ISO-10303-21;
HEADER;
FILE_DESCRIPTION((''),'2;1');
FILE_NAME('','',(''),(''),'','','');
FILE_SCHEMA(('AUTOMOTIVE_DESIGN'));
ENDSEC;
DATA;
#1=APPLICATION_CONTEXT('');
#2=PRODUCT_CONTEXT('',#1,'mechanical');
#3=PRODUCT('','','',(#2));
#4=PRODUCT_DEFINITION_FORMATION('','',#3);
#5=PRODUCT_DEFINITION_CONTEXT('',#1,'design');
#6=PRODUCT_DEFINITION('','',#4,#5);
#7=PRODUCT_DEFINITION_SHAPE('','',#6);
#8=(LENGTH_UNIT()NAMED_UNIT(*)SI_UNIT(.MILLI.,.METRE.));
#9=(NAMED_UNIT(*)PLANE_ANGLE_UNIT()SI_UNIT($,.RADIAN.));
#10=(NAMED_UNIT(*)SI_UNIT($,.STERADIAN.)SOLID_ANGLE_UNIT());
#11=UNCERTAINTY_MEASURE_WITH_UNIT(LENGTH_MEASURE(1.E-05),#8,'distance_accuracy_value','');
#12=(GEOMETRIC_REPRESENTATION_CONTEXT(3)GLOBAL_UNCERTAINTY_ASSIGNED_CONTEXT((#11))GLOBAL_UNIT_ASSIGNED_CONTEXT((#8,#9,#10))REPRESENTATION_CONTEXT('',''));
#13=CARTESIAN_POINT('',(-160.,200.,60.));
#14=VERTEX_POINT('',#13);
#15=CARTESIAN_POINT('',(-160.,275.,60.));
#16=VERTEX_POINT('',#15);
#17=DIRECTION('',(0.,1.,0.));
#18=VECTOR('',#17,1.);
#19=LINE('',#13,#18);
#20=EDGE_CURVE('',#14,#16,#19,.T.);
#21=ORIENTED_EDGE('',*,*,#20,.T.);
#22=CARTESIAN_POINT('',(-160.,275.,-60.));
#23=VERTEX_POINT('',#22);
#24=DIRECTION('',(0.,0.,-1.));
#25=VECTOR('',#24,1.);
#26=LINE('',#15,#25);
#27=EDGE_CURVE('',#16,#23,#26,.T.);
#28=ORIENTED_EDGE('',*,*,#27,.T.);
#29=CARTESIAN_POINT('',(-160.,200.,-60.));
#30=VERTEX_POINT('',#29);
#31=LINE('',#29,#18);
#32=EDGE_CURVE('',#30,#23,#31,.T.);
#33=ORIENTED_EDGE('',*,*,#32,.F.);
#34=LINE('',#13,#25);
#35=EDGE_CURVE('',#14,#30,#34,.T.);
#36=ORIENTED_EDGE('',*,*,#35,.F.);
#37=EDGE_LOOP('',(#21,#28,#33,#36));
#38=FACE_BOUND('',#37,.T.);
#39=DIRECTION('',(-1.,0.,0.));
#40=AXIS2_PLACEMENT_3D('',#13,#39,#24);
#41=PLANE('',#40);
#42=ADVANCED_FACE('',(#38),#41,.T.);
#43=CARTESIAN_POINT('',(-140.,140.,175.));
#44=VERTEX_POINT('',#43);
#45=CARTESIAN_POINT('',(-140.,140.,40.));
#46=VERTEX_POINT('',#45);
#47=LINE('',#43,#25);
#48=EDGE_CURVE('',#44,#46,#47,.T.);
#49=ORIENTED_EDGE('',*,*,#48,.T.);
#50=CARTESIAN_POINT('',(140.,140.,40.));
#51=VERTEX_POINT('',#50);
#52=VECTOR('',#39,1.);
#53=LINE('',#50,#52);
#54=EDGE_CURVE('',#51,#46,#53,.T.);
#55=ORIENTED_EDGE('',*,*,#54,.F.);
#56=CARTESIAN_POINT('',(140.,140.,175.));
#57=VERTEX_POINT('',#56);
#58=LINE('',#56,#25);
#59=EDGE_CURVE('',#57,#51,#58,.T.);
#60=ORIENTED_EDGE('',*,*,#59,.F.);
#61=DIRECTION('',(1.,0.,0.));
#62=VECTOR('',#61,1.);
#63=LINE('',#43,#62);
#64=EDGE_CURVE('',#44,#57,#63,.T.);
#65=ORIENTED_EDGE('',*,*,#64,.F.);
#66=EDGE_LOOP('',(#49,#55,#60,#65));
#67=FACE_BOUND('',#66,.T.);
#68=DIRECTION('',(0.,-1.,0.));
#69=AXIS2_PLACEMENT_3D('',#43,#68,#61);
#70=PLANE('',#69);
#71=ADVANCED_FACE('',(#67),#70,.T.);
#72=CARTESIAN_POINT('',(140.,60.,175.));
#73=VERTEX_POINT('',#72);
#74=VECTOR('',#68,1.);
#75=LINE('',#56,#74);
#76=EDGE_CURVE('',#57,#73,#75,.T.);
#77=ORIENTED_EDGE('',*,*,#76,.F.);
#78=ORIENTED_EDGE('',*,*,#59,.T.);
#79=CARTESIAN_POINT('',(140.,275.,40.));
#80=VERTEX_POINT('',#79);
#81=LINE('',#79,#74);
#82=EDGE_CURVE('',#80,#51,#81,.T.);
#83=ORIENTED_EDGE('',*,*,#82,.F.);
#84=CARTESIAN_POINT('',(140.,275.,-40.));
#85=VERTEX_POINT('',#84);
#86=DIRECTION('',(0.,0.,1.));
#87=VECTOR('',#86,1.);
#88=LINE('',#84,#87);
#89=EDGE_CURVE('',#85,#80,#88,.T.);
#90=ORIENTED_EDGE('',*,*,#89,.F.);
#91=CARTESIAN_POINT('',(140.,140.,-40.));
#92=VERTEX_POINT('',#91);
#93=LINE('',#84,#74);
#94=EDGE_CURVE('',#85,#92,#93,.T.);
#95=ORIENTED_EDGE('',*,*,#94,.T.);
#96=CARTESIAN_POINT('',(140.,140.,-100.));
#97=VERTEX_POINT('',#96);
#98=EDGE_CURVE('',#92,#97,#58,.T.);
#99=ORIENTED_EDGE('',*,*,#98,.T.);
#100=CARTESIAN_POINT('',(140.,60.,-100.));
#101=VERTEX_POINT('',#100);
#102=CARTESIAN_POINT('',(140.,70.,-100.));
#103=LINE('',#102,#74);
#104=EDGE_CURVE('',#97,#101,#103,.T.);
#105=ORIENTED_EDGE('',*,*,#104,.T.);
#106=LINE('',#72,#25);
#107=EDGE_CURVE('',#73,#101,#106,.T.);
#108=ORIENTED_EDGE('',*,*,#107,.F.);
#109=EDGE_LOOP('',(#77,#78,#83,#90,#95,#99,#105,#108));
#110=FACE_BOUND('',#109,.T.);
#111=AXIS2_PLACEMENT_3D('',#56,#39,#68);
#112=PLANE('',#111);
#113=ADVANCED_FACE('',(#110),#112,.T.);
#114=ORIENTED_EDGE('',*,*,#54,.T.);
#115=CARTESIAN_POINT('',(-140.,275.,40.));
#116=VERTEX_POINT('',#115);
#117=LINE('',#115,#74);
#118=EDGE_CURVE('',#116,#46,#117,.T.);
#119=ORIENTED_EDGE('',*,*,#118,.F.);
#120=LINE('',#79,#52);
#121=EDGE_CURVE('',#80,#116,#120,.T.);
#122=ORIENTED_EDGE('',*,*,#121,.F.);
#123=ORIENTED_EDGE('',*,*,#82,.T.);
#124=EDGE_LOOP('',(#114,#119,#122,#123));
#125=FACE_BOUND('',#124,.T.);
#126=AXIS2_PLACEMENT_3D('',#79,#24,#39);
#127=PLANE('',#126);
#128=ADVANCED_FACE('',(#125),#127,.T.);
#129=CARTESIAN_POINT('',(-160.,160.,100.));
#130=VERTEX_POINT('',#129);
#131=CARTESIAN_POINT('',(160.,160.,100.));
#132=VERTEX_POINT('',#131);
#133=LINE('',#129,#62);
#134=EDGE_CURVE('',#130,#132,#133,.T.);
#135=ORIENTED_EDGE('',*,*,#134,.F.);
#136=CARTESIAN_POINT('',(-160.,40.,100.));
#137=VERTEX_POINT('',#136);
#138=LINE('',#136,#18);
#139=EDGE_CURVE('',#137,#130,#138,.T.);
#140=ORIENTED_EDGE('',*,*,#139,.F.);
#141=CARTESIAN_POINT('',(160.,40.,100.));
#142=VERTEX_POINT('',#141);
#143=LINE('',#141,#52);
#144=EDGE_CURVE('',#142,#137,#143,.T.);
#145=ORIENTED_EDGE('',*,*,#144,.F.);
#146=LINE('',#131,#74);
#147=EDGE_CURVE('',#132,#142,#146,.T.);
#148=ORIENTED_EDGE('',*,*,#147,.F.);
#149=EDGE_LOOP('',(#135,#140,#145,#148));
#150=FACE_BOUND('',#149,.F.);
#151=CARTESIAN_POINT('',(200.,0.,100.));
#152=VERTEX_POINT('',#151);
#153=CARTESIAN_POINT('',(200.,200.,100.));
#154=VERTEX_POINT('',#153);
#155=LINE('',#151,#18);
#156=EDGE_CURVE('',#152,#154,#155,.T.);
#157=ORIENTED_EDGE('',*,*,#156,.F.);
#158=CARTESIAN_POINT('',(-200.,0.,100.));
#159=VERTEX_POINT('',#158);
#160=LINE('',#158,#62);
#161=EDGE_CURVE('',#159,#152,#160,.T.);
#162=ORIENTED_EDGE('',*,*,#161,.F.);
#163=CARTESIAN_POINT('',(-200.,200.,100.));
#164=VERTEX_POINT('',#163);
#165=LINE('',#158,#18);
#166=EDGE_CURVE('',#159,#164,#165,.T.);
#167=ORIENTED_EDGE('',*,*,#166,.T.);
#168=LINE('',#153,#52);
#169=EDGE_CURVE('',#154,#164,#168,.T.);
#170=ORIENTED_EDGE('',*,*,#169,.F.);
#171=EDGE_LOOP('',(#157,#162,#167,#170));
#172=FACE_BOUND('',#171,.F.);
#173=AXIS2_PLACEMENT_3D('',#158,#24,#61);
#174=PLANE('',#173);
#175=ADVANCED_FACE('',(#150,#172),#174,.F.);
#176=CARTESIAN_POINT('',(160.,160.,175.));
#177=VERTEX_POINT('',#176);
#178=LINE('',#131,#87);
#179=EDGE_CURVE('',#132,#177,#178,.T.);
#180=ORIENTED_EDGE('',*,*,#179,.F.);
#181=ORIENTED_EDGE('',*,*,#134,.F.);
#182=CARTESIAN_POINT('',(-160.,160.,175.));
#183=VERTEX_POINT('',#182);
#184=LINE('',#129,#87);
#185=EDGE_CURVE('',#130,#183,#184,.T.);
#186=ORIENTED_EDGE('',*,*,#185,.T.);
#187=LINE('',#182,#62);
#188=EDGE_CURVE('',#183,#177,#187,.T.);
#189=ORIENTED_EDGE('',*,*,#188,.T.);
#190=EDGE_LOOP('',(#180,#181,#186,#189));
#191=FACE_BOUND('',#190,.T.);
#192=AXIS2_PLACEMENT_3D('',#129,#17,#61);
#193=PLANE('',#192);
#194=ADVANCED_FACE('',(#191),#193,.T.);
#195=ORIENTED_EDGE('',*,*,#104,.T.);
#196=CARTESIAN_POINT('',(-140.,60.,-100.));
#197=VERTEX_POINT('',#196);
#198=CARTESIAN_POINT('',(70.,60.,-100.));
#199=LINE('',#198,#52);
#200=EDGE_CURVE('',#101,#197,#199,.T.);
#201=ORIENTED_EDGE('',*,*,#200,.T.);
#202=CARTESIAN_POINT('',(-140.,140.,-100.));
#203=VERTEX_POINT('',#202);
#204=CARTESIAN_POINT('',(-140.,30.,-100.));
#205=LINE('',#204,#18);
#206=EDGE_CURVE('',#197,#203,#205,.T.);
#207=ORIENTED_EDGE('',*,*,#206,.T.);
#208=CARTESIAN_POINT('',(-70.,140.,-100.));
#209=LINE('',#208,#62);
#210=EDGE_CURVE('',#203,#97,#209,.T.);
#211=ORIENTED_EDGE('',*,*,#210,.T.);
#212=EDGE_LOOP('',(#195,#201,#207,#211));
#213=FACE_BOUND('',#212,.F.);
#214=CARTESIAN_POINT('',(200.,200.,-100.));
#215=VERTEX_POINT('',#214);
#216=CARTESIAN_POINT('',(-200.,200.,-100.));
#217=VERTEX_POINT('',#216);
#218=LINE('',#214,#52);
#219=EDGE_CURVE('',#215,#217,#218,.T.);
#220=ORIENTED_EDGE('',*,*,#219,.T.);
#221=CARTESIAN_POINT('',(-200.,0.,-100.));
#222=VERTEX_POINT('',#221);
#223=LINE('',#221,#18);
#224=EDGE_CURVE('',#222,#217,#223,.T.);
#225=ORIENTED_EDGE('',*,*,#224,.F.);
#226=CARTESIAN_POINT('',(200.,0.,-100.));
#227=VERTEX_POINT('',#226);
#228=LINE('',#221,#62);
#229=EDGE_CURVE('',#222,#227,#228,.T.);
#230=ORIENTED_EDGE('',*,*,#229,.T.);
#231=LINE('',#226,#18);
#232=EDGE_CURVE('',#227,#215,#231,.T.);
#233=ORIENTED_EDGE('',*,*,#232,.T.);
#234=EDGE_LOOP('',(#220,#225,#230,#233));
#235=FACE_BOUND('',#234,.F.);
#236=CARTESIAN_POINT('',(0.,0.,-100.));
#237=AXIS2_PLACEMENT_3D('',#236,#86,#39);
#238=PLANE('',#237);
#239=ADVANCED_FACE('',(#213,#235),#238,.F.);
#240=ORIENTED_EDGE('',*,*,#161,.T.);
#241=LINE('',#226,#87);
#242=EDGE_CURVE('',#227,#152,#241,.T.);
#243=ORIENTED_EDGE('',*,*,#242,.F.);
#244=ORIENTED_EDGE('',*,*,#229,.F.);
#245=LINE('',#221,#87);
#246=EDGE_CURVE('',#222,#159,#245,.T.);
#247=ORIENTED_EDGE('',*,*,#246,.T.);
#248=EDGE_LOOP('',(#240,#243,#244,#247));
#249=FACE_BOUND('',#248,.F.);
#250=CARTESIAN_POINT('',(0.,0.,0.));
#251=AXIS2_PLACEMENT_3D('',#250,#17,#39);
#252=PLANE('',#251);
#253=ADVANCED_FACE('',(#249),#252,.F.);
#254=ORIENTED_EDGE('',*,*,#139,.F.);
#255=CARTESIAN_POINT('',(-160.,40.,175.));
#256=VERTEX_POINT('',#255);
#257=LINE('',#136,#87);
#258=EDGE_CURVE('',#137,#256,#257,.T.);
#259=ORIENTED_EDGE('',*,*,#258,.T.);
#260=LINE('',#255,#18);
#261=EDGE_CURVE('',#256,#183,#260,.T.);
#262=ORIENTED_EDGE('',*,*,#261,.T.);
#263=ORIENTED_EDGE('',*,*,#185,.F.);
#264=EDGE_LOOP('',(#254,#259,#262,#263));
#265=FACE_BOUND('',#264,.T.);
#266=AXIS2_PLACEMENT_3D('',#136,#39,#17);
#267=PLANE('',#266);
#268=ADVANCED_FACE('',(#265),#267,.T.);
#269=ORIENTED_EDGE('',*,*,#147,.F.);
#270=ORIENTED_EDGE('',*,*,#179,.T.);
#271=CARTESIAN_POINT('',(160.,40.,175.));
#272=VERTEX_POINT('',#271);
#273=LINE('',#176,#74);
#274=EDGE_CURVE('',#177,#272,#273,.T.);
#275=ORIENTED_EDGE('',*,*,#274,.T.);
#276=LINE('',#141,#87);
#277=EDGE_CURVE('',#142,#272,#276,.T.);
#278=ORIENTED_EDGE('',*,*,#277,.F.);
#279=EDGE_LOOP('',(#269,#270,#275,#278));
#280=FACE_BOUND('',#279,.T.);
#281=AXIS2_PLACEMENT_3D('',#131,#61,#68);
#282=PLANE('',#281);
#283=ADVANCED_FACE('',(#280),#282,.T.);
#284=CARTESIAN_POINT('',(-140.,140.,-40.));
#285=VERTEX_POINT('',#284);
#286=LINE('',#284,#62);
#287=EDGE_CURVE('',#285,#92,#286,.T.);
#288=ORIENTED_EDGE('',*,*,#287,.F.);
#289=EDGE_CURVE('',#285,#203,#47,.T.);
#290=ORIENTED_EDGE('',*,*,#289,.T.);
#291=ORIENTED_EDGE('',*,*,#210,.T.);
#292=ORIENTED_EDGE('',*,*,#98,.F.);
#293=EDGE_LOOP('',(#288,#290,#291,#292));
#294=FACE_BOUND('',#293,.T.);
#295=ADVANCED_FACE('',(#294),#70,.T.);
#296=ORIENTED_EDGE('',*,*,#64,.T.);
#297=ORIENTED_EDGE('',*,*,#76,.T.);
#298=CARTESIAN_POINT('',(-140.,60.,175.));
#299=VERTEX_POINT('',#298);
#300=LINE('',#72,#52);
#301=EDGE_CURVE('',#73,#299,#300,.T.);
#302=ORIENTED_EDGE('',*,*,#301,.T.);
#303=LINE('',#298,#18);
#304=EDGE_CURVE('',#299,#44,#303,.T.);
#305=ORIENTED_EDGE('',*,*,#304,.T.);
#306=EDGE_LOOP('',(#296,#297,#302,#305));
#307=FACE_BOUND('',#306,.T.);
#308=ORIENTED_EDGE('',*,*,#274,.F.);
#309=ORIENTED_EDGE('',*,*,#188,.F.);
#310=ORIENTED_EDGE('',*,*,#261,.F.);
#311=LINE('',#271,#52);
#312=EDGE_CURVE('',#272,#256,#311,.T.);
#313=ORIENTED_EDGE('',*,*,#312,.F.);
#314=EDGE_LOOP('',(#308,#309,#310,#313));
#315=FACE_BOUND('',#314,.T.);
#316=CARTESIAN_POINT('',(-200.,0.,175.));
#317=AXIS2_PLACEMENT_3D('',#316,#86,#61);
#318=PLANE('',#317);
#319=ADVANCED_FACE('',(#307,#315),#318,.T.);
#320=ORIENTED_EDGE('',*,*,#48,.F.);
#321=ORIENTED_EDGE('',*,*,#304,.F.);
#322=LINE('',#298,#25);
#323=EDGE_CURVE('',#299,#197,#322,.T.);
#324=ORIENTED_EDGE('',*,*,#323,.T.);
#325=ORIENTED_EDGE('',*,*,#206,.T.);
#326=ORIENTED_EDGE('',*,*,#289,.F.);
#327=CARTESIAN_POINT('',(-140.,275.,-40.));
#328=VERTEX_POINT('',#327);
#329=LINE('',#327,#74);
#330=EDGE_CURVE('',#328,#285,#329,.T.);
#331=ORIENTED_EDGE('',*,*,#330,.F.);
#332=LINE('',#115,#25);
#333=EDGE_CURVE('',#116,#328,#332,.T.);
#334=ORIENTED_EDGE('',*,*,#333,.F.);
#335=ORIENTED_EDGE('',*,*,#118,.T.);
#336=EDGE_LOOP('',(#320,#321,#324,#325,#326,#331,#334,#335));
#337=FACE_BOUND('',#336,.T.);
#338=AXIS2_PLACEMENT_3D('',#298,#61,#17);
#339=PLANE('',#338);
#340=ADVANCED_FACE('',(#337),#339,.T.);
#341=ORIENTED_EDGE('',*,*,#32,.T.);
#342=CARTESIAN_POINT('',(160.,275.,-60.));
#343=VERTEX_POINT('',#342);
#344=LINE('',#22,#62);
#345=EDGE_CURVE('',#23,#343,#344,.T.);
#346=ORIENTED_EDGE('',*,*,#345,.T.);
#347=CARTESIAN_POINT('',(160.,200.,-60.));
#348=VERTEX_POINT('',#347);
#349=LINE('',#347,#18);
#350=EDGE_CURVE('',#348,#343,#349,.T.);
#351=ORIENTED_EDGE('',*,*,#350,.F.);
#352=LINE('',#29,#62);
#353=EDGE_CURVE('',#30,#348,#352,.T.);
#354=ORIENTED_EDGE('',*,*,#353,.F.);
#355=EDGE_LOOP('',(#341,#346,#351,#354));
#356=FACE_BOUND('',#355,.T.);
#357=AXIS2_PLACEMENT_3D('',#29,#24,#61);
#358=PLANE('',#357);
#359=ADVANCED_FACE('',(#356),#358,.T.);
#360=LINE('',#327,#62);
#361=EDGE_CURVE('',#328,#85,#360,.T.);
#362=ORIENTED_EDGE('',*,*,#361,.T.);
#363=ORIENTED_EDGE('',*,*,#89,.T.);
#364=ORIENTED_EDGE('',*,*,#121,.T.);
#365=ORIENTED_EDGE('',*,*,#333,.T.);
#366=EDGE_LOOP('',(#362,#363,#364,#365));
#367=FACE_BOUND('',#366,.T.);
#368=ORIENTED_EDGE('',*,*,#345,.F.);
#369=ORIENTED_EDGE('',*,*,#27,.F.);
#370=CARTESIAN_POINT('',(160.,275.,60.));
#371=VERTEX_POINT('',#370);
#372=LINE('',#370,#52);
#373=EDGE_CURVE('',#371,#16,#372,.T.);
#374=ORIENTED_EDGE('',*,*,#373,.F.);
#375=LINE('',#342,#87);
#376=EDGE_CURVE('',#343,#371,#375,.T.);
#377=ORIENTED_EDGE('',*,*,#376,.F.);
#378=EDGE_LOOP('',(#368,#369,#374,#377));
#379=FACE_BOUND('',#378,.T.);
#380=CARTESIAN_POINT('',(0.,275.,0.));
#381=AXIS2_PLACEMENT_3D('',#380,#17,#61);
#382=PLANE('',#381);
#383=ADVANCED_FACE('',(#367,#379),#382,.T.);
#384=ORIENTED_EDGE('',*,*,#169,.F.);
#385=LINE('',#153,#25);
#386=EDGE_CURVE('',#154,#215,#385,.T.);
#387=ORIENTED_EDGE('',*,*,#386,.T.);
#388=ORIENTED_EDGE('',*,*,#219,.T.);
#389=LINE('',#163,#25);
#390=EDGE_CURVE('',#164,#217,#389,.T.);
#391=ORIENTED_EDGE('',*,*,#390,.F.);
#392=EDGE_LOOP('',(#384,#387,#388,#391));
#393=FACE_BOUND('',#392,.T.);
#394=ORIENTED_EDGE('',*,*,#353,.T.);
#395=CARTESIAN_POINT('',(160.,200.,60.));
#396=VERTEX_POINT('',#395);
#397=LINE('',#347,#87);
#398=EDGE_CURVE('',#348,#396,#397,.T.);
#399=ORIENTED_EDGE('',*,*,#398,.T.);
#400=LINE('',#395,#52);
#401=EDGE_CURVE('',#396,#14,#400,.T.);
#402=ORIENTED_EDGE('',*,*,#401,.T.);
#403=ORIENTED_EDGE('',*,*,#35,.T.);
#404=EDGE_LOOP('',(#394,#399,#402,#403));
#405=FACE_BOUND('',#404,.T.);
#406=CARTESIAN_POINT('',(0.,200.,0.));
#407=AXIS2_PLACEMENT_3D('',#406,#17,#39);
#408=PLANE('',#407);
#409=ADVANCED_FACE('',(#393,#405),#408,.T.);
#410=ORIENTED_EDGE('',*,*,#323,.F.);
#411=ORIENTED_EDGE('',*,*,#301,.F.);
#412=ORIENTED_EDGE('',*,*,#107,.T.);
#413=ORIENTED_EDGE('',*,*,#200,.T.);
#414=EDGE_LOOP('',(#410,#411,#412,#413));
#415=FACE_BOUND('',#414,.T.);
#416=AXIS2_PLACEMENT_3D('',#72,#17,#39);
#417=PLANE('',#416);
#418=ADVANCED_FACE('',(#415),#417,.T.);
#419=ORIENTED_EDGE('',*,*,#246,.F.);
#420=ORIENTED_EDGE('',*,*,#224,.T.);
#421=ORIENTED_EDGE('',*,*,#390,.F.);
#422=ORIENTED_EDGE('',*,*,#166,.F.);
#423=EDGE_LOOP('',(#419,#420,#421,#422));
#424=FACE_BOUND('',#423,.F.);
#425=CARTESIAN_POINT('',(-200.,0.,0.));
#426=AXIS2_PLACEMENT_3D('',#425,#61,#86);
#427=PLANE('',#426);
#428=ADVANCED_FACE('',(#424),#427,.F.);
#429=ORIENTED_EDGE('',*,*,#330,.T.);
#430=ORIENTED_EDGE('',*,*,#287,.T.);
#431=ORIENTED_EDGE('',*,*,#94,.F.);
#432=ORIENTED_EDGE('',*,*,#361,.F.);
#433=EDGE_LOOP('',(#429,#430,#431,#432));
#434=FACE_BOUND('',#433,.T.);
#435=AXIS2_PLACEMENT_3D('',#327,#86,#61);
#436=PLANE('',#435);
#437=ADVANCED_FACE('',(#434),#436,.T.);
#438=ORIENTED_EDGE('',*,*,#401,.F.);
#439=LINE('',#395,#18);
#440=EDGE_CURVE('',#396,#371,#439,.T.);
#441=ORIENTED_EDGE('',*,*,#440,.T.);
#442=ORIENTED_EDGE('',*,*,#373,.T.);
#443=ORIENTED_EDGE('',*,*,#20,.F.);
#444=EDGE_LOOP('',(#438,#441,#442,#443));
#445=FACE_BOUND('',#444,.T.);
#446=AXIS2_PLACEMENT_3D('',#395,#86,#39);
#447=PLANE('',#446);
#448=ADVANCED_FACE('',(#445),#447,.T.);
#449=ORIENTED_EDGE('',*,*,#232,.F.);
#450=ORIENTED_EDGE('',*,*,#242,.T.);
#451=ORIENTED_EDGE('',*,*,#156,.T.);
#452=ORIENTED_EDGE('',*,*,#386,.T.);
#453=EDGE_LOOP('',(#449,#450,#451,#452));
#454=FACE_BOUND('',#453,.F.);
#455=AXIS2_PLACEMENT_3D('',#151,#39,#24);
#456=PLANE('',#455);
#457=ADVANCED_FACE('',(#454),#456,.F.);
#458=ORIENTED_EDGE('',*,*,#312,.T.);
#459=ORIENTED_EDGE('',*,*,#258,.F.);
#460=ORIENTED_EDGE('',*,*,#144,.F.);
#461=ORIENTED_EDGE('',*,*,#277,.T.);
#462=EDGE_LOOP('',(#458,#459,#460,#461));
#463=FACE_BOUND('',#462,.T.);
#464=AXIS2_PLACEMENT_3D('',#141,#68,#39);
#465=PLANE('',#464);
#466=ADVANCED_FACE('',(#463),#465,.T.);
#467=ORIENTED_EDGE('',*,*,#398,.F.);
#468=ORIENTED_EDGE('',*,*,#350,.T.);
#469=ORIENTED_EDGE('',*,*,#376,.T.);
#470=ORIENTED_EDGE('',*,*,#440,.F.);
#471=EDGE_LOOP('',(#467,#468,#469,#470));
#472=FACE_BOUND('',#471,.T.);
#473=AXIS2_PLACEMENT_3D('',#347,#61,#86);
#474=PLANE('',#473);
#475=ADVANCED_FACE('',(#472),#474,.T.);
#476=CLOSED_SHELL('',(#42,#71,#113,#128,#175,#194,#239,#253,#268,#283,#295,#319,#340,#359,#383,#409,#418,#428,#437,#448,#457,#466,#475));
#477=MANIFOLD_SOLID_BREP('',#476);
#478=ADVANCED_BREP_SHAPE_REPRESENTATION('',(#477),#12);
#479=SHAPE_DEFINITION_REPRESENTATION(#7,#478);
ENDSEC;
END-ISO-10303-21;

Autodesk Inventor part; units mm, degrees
ref_plane "YZ Plane" through (0, 0, 0) normal (1, 0, 0) x (0, 1, 0)
ref_plane "XZ Plane" through (0, 0, 0) normal (0, 1, 0) x (-1, 0, 0)
ref_plane "XY Plane" through (0, 0, 0) normal (0, 0, 1) x (1, 0, 0)
sketch "Sketch1" plane through (0, 0, 0) normal (0, 1, 0) x (-1, 0, 0)
  line L0 (200, 100) -> (-200, 100)
  line L1 (-200, 100) -> (-200, -100)
  line L2 (-200, -100) -> (200, -100)
  line L3 (200, -100) -> (200, 100)
  line L4 (0, -140) -> (0, 140) projected
  line L5 (-280, 0) -> (280, 0) projected
  point P0 (0, 0)
  dimension "d0" = 400
  dimension "d1" = 200
extrude "Extrusion1" add sketch "Sketch1" along normal blind 200
sketch "Sketch2" plane through (-200, 0, 100) normal (0, 0, 1) x (1, 0, 0)
  line L0 (0, 0) -> (400, 0) projected
  line L1 (400, 0) -> (400, 200) projected
  line L2 (0, 200) -> (400, 200) projected
  line L3 (0, 0) -> (0, 200) projected
  line L4 (360, 160) -> (360, 40)
  line L5 (360, 40) -> (40, 40)
  line L6 (40, 40) -> (40, 160)
  line L7 (40, 160) -> (360, 160)
  point P0 (200, 0)
  dimension "d4" = 40
extrude "Extrusion2" add sketch "Sketch2" along normal blind 75 contours L4 L5 L6 L7
sketch "Sketch3" plane through (-200, 0, 175) normal (0, 0, 1) x (1, 0, 0)
  line L0 (360, 40) -> (360, 160) projected
  line L1 (360, 160) -> (40, 160) projected
  line L2 (40, 160) -> (40, 40) projected
  line L3 (40, 40) -> (360, 40) projected
  line L4 (60, 140) -> (340, 140)
  line L5 (340, 140) -> (340, 60)
  line L6 (340, 60) -> (60, 60)
  line L7 (60, 60) -> (60, 140)
  point P0 (200, 0)
  dimension "d7" = 20
extrude "Extrusion3" cut sketch "Sketch3" against normal through all contours L4 L5 L6 L7
sketch "Sketch5" plane through (0, 200, 0) normal (0, 1, 0) x (1, 0, 0)
  line L0 (-200, -100) -> (200, -100) projected
  line L1 (200, -100) -> (200, 100) projected
  line L2 (200, 100) -> (-200, 100) projected
  line L3 (-200, 100) -> (-200, -100) projected
  line L4 (-160, 60) -> (160, 60)
  line L5 (160, 60) -> (160, -60)
  line L6 (160, -60) -> (-160, -60)
  line L7 (-160, -60) -> (-160, 60)
  point P0 (0, 0)
  dimension "d19" = 40
extrude "Extrusion4" add sketch "Sketch5" along normal blind 75 contours L4 L5 L6 L7
sketch "Sketch6" plane through (0, 275, 0) normal (0, 1, 0) x (1, 0, 0)
  line L0 (160, 60) -> (-160, 60) projected
  line L1 (-160, 60) -> (-160, -60) projected
  line L2 (-160, -60) -> (160, -60) projected
  line L3 (160, -60) -> (160, 60) projected
  line L4 (-140, 40) -> (140, 40)
  line L5 (140, 40) -> (140, -40)
  line L6 (140, -40) -> (-140, -40)
  line L7 (-140, -40) -> (-140, 40)
  point P0 (0, 0)
  dimension "d22" = 20
extrude "Extrusion5" cut sketch "Sketch6" against normal up to surface (135 mm away) contours L4 L5 L6 L7
properties part number "fillet"
